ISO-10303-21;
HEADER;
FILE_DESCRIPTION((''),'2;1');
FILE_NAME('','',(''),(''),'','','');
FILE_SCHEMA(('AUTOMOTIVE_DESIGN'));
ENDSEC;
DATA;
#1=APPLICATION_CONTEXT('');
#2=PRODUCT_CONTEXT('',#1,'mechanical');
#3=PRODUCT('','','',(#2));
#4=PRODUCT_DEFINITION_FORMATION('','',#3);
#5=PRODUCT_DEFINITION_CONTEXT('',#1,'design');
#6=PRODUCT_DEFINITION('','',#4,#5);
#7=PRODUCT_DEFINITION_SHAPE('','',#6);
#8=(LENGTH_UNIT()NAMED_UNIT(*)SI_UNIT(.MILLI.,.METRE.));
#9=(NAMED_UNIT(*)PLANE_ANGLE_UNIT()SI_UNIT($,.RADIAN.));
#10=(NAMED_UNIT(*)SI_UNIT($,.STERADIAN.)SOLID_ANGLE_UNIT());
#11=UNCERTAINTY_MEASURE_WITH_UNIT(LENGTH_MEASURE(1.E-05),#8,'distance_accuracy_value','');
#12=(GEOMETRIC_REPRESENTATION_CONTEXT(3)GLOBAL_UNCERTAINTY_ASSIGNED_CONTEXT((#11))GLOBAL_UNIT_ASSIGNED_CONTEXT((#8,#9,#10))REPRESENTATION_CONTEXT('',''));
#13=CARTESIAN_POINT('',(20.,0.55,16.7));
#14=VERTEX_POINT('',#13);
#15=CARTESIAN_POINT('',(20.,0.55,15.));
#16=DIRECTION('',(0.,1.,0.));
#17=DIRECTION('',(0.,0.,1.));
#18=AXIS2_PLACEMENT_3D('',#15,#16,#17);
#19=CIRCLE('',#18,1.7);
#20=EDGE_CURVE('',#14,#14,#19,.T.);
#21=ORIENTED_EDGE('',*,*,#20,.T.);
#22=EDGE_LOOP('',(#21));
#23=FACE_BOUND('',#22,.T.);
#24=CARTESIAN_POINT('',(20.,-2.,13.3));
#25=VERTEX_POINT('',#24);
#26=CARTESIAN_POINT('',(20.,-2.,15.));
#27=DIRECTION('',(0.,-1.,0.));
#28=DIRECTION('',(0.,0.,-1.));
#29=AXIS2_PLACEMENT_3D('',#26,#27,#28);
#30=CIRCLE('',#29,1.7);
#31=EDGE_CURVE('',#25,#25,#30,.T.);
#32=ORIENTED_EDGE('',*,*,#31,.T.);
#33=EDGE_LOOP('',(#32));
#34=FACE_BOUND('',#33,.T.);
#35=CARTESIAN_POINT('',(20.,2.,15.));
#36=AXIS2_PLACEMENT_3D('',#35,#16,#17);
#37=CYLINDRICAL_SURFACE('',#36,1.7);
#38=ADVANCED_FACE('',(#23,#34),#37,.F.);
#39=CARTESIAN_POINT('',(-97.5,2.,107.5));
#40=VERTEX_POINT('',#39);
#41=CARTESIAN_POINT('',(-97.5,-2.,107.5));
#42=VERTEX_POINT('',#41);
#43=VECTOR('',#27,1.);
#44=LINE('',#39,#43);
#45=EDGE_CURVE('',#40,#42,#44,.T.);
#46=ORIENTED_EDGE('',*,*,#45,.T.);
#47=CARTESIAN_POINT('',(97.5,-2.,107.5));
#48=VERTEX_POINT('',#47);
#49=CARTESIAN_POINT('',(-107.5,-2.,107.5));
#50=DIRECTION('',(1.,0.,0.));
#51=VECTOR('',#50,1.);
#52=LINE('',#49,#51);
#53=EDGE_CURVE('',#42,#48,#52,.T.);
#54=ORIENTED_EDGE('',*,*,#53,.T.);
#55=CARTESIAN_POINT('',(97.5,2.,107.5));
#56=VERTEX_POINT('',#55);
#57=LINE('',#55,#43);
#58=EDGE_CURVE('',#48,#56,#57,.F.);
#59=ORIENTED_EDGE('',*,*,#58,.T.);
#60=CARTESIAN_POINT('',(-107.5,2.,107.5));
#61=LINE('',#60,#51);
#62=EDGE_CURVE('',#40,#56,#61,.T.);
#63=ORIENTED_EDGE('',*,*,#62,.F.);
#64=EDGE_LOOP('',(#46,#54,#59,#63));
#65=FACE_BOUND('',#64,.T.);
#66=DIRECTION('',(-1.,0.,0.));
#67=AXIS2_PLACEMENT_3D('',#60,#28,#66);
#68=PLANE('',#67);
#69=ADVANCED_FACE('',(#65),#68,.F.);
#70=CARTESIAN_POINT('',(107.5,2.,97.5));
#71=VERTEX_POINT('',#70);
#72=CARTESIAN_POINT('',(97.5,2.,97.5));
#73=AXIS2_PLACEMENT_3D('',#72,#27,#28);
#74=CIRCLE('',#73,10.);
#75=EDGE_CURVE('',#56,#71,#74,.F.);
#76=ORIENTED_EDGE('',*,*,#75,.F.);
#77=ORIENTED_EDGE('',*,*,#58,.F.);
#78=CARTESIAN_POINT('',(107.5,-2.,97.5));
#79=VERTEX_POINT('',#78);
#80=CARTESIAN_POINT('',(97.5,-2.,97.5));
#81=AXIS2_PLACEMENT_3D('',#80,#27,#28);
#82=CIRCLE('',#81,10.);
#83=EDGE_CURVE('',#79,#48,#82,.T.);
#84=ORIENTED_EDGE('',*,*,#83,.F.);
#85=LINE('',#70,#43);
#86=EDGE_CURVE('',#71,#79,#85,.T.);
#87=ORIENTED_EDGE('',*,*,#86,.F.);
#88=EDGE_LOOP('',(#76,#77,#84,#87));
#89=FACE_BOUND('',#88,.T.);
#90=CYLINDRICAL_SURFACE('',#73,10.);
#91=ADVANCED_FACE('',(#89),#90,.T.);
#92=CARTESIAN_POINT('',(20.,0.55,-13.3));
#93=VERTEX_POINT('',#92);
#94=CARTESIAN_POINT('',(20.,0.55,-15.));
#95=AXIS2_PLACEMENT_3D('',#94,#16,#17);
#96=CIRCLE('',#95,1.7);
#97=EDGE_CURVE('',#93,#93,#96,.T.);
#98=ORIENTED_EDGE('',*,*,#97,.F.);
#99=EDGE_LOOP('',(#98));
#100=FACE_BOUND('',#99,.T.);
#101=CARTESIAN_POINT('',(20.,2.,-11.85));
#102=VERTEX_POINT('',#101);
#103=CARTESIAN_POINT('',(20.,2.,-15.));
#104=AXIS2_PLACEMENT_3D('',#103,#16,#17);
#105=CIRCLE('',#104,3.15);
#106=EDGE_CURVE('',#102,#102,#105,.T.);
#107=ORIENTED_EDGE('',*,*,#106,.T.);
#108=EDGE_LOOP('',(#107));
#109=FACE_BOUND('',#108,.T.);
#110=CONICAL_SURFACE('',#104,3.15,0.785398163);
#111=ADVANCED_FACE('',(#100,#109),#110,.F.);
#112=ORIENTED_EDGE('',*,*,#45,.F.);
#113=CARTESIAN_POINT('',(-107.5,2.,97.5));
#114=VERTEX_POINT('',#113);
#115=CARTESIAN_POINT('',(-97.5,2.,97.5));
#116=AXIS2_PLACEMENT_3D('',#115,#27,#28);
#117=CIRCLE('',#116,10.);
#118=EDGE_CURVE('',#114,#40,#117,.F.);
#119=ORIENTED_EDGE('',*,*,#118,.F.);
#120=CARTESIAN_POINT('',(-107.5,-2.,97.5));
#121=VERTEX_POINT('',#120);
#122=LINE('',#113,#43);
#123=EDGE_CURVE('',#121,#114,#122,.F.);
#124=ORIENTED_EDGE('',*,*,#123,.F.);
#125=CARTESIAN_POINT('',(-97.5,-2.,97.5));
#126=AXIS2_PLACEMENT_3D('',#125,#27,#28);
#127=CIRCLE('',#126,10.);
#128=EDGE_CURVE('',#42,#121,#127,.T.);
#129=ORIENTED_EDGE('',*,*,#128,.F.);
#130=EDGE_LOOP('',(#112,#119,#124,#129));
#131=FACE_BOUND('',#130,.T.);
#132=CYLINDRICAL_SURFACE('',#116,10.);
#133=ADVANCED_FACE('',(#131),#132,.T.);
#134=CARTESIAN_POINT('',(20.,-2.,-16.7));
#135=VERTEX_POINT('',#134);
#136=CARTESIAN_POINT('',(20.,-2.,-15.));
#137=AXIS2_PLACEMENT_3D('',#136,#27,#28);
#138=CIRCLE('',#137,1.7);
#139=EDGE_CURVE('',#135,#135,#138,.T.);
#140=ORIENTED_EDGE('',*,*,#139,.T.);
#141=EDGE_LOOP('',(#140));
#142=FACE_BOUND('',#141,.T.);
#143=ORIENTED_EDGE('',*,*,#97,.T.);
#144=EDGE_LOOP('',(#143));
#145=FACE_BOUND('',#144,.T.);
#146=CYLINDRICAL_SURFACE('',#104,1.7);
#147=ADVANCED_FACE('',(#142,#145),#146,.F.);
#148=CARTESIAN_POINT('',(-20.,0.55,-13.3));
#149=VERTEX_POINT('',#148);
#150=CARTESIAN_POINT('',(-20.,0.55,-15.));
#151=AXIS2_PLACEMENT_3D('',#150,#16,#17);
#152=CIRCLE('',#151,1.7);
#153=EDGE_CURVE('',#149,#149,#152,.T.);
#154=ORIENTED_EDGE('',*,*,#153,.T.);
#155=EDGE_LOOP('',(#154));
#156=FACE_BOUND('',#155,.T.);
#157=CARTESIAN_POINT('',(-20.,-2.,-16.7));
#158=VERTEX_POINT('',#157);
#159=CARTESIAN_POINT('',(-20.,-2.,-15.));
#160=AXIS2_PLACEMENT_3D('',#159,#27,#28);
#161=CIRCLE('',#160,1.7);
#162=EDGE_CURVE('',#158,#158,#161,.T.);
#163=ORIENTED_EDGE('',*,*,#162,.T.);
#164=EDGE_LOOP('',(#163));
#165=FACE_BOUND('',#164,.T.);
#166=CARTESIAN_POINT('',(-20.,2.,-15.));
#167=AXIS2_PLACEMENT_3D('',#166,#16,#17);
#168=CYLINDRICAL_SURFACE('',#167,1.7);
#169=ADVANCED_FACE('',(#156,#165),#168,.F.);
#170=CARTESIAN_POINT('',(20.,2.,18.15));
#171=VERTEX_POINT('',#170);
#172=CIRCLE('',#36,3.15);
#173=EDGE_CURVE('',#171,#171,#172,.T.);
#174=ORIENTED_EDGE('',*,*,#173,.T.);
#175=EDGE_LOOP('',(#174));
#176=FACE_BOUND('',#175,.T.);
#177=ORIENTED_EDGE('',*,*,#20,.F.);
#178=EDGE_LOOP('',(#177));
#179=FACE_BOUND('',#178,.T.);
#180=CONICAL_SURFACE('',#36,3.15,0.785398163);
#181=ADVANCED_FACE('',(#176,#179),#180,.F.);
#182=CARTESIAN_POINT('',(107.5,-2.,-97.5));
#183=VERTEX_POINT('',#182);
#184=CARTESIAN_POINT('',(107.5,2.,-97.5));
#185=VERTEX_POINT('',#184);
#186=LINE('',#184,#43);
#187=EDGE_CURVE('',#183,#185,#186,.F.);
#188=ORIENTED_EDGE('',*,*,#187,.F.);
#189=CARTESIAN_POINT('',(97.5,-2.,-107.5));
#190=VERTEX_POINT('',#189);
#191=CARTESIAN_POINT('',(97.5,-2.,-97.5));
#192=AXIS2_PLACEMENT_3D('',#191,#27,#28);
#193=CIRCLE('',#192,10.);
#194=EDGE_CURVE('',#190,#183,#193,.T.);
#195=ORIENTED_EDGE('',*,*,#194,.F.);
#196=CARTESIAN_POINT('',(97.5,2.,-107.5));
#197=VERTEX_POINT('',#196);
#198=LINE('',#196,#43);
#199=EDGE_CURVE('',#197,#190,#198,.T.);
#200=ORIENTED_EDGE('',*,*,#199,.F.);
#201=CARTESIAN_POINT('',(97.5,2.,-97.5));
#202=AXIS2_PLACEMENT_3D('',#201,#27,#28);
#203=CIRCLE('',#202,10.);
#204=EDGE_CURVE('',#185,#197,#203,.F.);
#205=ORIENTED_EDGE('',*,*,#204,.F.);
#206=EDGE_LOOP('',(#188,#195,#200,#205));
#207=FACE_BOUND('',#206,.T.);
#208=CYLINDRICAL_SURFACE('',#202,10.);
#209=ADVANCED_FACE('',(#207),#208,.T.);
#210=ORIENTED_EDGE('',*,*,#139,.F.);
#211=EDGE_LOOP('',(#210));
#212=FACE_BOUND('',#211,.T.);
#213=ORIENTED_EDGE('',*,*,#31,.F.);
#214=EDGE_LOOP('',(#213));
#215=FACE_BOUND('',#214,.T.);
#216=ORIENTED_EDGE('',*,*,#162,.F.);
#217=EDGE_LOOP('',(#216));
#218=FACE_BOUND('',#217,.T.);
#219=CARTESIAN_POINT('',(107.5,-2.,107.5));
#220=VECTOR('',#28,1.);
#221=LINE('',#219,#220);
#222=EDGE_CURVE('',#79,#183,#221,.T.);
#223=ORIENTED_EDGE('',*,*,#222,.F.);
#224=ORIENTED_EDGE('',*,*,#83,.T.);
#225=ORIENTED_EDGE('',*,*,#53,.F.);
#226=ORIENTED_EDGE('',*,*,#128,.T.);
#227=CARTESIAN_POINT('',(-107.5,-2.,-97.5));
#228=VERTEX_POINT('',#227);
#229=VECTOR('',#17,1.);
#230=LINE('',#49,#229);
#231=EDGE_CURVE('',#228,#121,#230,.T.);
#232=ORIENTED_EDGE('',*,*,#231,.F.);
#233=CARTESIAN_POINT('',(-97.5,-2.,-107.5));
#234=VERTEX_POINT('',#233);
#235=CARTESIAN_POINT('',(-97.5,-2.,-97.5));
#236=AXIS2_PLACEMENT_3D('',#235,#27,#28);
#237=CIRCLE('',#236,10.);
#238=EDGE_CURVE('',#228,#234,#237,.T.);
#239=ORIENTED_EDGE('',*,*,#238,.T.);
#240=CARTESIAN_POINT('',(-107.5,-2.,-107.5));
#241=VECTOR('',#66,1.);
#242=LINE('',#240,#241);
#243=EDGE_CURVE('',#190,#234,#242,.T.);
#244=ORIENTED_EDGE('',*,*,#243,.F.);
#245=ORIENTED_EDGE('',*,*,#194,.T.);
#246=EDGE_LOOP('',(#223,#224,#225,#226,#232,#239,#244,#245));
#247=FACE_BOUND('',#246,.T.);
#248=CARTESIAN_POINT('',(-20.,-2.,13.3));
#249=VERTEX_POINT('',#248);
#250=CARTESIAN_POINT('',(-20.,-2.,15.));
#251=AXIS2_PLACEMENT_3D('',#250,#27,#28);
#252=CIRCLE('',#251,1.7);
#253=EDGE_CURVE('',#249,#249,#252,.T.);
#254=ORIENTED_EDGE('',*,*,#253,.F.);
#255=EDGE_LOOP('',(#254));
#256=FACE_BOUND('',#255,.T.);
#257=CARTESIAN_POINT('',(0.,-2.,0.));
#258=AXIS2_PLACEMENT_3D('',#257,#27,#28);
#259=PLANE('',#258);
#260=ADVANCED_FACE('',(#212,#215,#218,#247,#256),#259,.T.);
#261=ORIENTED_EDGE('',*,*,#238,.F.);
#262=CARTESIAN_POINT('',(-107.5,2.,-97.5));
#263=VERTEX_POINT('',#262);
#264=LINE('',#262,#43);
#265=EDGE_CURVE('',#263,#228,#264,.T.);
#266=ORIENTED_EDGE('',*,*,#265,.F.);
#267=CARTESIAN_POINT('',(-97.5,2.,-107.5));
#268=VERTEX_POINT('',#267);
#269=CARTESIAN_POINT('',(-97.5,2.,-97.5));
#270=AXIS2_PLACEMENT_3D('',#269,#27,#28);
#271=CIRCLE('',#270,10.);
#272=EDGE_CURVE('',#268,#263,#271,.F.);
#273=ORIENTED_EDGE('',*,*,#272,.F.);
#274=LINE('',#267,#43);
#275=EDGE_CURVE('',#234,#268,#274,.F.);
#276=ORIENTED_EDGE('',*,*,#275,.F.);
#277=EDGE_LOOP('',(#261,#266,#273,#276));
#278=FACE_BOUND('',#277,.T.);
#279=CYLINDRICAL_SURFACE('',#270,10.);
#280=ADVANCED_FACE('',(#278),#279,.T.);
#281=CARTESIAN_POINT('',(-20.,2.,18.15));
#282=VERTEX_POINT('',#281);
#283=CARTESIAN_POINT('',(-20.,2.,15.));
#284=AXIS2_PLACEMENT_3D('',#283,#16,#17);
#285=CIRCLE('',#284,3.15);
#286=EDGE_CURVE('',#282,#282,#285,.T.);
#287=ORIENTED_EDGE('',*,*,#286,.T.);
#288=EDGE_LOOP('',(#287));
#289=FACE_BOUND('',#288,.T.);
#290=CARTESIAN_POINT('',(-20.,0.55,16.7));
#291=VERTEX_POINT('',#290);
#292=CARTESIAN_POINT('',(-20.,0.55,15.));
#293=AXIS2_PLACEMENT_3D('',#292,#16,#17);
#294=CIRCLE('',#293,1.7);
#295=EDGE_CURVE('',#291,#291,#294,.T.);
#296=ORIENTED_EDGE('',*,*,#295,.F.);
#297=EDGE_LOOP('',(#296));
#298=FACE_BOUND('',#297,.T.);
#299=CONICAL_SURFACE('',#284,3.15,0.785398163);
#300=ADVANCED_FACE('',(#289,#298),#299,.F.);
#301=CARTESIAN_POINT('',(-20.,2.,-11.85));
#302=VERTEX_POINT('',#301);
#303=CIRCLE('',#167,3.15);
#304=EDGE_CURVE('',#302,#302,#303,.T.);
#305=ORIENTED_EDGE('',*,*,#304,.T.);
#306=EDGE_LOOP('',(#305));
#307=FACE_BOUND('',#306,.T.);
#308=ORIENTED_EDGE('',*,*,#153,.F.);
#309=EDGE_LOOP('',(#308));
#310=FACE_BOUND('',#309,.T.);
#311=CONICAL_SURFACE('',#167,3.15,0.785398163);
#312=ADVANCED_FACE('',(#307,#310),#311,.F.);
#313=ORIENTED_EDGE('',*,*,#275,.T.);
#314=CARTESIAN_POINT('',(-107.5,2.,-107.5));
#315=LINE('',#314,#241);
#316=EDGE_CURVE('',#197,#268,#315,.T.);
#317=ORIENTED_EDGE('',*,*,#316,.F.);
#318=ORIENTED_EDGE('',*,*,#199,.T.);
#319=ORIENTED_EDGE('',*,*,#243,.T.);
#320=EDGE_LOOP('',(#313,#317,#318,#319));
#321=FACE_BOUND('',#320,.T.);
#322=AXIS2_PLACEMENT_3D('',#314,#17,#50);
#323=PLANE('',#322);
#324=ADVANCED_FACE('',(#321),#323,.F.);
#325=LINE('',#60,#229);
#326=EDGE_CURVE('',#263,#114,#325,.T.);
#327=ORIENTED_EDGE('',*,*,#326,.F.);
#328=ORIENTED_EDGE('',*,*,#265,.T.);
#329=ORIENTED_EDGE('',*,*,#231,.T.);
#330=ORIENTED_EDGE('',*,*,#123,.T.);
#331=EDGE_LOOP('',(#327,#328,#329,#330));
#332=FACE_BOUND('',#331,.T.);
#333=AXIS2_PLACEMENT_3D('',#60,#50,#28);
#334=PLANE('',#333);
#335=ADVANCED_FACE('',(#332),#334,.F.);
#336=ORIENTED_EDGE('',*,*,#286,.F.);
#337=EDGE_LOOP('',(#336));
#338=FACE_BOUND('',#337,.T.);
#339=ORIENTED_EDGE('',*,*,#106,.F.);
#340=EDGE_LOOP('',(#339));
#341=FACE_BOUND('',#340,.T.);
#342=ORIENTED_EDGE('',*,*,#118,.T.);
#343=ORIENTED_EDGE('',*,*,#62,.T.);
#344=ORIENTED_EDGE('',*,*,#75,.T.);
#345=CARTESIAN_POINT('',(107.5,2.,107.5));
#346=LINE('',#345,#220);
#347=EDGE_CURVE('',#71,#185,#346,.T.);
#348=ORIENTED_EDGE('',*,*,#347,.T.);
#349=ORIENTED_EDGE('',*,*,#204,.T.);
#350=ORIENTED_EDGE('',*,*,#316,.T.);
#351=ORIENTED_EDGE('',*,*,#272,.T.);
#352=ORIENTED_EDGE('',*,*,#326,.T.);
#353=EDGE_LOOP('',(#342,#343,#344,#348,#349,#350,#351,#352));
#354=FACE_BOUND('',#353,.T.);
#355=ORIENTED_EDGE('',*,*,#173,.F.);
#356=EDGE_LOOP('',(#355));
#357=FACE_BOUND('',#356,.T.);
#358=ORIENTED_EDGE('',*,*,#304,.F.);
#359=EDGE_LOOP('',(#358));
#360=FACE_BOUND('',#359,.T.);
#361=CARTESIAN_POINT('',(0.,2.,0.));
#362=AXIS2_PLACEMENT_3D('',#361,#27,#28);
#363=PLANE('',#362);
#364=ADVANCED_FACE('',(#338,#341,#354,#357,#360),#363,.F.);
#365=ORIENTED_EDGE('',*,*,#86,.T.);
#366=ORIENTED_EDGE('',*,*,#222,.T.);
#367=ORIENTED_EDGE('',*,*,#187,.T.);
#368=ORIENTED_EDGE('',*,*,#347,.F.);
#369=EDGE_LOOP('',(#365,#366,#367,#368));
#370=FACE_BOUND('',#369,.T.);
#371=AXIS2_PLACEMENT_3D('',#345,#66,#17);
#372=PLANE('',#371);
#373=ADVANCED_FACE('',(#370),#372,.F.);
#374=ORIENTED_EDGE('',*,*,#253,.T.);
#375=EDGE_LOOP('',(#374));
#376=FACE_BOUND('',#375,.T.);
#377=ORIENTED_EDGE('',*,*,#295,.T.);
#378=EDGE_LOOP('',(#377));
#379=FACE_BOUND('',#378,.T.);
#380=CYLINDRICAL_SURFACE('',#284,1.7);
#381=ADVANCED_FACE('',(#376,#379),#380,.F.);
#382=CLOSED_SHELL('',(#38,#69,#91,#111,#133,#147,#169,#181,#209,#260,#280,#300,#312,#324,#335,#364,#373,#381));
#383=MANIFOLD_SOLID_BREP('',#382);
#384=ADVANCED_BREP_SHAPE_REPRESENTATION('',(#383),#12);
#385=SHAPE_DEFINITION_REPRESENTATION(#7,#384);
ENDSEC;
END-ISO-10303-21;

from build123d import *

# Parameters (mm, degrees)
SKETCH1_W                                       = 215
SKETCH1_H                                       = 215
BOSS_EXTRUDE1_DEPTH                             = 2
CSK_FOR_M3_FLAT_HEAD_MACHINE_SCREW1_D           = 3.4
CSK_FOR_M3_FLAT_HEAD_MACHINE_SCREW1_CSINK_D     = 6.3
CSK_FOR_M3_FLAT_HEAD_MACHINE_SCREW1_CSINK_ANGLE = 90
FILLET1_R                                       = 10


with BuildPart() as part:
    # Sketch1 → Boss-Extrude1 (new, symmetric)
    with BuildSketch(Plane(origin=(0, 0, 0), x_dir=(1, 0, 0), z_dir=(0, 1, 0))):
        Rectangle(SKETCH1_W, SKETCH1_H)
    extrude(amount=BOSS_EXTRUDE1_DEPTH, both=True)

    # CSK for M3 Flat Head Machine Screw1 (through all)
    with Locations(Plane(origin=(0, 2, 0), x_dir=(1, 0, 0), z_dir=(0, 1, 0))):
        with Locations((-20, 15), (20, 15), (20, -15), (-20, -15)):
            CounterSinkHole(CSK_FOR_M3_FLAT_HEAD_MACHINE_SCREW1_D / 2, CSK_FOR_M3_FLAT_HEAD_MACHINE_SCREW1_CSINK_D / 2, counter_sink_angle=CSK_FOR_M3_FLAT_HEAD_MACHINE_SCREW1_CSINK_ANGLE)

    # Fillet1
    fillet1_edges = [part.edges().sort_by_distance(p)[0] for p in [
        (107.5, 0, 107.5),
        (-107.5, 0, 107.5),
        (-107.5, 0, -107.5),
        (107.5, 0, -107.5),
    ]]
    fillet(fillet1_edges, radius=FILLET1_R)


solid = part.part
